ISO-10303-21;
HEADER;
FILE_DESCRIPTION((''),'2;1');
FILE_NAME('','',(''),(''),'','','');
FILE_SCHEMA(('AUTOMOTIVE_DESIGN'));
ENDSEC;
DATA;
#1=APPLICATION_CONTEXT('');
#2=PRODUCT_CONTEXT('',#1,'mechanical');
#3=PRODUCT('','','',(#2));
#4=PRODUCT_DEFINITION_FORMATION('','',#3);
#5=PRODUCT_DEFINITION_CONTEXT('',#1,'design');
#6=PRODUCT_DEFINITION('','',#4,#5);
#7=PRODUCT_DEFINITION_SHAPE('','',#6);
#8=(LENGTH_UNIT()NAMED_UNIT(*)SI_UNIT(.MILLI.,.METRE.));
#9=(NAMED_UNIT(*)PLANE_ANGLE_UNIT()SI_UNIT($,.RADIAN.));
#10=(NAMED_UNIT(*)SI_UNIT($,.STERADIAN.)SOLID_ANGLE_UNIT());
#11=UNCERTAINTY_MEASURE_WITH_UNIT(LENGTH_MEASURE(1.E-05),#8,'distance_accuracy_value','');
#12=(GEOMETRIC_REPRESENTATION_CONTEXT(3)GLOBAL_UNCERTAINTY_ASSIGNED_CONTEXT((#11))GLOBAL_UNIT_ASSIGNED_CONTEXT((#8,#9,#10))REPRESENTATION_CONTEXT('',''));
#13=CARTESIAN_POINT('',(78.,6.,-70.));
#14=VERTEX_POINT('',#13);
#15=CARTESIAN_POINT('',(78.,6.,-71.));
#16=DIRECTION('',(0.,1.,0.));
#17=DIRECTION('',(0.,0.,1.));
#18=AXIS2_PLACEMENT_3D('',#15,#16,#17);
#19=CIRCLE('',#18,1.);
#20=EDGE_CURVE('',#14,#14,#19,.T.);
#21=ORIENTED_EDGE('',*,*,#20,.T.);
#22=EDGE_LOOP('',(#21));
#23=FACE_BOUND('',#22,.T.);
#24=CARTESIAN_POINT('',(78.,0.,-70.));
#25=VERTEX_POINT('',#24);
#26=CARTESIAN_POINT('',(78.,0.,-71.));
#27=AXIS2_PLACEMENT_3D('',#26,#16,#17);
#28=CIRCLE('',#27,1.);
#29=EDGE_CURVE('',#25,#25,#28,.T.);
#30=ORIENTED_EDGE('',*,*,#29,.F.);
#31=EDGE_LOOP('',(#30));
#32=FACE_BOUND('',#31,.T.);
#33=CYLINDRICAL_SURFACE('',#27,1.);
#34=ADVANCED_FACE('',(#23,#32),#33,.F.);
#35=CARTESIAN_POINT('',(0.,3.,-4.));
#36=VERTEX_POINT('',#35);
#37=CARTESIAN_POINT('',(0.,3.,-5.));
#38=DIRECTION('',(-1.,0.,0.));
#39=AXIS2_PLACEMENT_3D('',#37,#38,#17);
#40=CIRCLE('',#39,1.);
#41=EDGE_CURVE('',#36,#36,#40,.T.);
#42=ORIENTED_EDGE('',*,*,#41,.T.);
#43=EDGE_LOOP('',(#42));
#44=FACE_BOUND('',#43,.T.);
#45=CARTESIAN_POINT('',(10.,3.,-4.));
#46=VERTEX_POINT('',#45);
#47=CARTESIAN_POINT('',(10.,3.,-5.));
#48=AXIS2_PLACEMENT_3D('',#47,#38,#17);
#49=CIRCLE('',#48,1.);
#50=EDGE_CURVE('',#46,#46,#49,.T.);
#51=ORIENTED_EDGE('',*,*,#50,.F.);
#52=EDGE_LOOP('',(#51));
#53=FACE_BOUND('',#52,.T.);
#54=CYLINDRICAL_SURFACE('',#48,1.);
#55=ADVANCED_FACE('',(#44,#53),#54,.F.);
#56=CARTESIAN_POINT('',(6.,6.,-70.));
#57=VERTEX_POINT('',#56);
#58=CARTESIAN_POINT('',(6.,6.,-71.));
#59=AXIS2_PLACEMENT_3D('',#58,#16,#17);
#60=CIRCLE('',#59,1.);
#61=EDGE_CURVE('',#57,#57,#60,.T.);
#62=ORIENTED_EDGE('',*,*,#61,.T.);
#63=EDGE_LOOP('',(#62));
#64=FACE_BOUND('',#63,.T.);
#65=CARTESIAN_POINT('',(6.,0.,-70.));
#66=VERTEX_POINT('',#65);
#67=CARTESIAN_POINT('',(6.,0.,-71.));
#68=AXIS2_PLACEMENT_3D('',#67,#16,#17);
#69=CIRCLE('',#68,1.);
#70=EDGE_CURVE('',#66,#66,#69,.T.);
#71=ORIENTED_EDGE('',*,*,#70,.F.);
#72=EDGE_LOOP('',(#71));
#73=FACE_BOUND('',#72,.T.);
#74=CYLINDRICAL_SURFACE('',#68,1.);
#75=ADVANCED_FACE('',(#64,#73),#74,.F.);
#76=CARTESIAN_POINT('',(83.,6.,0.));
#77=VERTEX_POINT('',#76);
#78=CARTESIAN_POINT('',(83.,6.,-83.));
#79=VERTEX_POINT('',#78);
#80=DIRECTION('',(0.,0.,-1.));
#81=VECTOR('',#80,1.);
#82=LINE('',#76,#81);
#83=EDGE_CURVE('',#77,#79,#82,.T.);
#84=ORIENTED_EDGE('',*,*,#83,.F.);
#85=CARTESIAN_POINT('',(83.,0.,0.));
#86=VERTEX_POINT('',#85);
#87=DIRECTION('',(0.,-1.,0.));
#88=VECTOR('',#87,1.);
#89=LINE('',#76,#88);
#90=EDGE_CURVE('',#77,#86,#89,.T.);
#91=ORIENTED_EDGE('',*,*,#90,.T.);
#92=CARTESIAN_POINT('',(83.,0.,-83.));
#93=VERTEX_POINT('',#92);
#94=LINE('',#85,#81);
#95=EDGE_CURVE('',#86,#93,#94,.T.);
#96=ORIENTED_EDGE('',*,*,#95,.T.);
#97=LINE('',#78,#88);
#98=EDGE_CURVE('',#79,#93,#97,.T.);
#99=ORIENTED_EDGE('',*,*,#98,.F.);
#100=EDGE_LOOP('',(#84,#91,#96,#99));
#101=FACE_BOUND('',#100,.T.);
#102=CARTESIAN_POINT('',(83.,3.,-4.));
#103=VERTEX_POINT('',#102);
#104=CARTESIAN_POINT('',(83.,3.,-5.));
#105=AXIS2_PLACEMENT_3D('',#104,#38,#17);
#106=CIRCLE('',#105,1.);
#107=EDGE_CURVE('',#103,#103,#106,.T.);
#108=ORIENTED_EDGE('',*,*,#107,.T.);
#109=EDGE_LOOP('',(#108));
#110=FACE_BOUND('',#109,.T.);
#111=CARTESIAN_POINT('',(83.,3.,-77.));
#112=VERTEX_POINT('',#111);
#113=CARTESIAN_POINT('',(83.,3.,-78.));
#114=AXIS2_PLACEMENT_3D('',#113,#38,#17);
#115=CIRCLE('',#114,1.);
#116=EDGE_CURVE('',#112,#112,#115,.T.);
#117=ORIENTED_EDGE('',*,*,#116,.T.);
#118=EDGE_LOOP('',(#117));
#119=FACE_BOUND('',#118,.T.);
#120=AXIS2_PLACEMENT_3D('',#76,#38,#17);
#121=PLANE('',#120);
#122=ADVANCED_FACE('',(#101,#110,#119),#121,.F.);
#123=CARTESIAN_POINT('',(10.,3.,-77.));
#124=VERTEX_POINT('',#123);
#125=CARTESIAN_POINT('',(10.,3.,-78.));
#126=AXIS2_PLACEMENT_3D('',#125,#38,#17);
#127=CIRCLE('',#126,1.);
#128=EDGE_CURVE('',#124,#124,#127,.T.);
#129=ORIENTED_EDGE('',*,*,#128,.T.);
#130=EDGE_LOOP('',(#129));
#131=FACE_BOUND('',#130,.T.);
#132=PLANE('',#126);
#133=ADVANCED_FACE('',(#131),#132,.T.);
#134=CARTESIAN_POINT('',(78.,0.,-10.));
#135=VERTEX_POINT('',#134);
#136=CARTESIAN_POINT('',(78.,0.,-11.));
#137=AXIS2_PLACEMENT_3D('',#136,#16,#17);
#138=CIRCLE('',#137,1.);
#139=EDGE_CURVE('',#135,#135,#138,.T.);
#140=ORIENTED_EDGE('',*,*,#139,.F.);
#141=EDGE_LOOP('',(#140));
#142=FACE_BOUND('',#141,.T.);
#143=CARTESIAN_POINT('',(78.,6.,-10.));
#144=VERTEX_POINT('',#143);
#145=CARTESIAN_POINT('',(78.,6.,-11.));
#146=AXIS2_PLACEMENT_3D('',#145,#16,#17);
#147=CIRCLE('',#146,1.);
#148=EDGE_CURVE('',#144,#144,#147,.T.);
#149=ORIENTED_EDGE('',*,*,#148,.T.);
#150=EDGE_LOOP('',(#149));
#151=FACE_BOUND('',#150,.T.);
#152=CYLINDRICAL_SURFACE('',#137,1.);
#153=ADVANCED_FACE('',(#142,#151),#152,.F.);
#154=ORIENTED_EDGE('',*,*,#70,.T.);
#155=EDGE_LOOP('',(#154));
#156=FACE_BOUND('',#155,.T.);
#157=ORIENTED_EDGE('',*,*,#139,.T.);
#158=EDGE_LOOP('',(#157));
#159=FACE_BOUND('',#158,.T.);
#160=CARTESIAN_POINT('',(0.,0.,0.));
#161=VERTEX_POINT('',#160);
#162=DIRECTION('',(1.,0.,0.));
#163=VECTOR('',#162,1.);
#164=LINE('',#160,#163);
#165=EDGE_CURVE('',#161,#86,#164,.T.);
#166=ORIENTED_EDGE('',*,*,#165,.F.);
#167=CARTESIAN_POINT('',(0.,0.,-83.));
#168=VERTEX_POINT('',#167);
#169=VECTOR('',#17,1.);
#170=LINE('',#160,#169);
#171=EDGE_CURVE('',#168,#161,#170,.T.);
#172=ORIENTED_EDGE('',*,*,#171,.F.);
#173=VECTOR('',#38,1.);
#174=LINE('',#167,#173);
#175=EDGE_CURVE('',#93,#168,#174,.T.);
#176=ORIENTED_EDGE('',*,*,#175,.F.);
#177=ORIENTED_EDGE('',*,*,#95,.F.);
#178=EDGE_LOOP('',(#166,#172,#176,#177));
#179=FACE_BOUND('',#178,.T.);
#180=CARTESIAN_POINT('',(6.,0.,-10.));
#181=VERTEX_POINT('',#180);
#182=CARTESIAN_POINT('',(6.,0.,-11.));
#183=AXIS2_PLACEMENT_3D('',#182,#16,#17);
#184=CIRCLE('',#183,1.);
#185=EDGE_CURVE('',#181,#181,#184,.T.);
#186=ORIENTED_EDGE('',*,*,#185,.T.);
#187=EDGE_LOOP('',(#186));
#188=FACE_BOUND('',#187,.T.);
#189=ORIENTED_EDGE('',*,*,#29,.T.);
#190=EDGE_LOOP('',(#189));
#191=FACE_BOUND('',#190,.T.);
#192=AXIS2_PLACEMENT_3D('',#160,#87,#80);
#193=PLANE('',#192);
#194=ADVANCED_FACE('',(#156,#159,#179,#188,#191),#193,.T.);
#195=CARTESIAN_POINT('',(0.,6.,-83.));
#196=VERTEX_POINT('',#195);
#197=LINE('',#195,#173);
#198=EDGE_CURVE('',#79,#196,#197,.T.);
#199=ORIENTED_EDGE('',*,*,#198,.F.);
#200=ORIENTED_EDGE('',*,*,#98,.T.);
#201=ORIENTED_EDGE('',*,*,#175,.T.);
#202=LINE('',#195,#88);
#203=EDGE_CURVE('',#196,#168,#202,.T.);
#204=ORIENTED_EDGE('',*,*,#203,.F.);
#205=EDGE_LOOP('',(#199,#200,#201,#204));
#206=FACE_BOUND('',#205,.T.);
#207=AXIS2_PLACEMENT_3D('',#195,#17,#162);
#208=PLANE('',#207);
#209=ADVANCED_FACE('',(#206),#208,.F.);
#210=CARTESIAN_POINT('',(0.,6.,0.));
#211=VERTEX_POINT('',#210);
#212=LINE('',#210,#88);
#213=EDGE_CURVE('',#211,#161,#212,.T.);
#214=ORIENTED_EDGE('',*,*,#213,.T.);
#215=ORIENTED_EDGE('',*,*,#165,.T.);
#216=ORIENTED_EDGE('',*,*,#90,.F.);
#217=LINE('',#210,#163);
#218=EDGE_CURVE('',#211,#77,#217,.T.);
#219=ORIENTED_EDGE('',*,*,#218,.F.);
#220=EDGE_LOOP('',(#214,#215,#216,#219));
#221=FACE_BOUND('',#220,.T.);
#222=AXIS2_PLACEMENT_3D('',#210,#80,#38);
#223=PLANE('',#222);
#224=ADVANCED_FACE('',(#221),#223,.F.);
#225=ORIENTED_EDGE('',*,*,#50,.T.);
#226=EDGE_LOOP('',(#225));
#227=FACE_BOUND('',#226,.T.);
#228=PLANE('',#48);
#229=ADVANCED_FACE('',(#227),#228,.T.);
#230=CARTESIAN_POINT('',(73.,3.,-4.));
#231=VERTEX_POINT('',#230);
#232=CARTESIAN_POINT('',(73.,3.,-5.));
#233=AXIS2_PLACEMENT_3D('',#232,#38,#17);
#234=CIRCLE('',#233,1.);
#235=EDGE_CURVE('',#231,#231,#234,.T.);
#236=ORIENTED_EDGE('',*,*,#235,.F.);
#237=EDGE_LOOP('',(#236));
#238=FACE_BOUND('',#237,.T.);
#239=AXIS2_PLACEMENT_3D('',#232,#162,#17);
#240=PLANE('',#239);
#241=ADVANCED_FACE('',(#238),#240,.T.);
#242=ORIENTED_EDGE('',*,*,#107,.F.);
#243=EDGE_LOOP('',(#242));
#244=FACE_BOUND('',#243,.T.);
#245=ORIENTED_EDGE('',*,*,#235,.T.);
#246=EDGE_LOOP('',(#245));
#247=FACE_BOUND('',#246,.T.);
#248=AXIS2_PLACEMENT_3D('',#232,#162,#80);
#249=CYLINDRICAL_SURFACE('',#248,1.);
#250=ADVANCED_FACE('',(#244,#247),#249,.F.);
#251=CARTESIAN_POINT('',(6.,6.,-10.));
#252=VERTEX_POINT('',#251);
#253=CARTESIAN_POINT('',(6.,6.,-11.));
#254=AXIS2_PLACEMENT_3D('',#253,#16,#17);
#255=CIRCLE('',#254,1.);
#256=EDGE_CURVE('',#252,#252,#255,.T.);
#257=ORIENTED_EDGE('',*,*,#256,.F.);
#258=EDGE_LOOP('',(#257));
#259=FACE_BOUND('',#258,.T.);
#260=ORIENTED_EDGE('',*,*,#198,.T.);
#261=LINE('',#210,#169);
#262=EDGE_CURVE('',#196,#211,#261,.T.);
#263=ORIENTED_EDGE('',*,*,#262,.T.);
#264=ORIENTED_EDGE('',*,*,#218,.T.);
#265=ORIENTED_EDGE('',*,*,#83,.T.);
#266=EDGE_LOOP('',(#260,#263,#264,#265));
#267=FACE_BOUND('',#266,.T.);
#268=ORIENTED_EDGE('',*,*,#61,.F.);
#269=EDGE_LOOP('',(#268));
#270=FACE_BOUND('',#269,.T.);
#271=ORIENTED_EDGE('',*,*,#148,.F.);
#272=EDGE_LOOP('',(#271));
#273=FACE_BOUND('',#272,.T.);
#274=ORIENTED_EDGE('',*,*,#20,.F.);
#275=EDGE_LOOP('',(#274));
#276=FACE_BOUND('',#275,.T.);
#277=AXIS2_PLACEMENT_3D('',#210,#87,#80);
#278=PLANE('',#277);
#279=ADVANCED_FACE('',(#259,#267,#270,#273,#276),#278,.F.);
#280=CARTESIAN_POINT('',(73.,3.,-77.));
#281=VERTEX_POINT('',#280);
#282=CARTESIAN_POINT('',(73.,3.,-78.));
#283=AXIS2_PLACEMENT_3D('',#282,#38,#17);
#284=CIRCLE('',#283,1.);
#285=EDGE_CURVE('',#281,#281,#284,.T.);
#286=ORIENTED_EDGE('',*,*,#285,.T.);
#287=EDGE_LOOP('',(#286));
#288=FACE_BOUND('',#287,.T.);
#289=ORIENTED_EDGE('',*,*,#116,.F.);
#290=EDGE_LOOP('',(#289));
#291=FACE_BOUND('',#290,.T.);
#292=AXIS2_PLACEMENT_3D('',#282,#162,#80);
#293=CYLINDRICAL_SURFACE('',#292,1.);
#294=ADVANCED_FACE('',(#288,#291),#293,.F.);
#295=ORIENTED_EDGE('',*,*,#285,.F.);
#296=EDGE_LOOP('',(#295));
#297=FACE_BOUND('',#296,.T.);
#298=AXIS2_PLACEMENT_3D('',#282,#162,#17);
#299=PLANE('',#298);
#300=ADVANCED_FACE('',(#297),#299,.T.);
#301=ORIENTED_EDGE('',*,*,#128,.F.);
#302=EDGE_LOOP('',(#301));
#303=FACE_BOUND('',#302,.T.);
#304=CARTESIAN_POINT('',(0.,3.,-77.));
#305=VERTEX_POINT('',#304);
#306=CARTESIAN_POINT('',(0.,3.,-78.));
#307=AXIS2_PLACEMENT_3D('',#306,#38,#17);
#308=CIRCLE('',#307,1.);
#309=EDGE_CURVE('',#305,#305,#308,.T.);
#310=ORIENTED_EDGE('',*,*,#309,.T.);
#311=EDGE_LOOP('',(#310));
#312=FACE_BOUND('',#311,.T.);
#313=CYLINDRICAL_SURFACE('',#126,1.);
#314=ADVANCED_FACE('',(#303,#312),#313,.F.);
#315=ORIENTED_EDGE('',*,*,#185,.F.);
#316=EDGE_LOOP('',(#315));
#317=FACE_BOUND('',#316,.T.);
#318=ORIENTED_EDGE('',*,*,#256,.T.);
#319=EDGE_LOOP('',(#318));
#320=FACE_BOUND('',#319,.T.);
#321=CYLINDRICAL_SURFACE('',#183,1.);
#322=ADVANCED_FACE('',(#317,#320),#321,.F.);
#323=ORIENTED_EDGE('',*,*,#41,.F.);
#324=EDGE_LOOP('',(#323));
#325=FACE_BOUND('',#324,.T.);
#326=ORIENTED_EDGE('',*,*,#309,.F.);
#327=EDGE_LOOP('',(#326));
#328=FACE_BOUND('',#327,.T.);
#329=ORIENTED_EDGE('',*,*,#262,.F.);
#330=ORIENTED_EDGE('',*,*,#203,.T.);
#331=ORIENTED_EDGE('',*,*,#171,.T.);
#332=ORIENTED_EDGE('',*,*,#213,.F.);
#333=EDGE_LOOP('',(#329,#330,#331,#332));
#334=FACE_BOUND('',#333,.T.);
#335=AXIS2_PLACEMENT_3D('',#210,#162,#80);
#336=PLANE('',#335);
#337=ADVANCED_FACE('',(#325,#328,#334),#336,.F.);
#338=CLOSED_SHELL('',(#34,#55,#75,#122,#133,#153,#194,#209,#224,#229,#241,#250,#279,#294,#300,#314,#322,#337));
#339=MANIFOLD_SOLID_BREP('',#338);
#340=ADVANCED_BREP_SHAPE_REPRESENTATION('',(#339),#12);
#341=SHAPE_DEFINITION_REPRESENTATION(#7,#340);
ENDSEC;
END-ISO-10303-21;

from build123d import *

# Parameters (mm, degrees)
SKETCH1_W            = 83
SKETCH1_H            = 83
BOSS_EXTRUDE1_DEPTH  = 6
SKETCH2_R            = 1
CUT_EXTRUDE1_DEPTH   = 6
LPATTERN1_COUNT      = 2
LPATTERN1_PITCH      = 72
LPATTERN1_COUNT_DIR2 = 2
LPATTERN1_PITCH_DIR2 = 60
SKETCH3_R            = 1
CUT_EXTRUDE2_DEPTH   = 10


with BuildPart() as part:
    # Sketch1 → Boss-Extrude1 (new body)
    with BuildSketch(Plane(origin=(0, 0, 0), x_dir=(1, 0, 0), z_dir=(0, 1, 0))):
        with Locations((41.5, 41.5)):
            Rectangle(SKETCH1_W, SKETCH1_H)
    extrude(amount=BOSS_EXTRUDE1_DEPTH)

    # Sketch2 → Cut-Extrude1 (cut)
    with BuildSketch(Plane(origin=(0, 6, 0), x_dir=(1, 0, 0), z_dir=(0, 1, 0))):
        with Locations(Location((6, 71, 0), (0, 0, 270))):
            Circle(SKETCH2_R)
    cut_extrude1 = extrude(amount=-CUT_EXTRUDE1_DEPTH, mode=Mode.SUBTRACT)

    # LPattern1: Cut-Extrude1 2 × 2
    with Locations(*[(i * LPATTERN1_PITCH, 0, j * LPATTERN1_PITCH_DIR2) for i in range(LPATTERN1_COUNT) for j in range(LPATTERN1_COUNT_DIR2) if (i, j) != (0, 0)]):
        add(cut_extrude1, mode=Mode.SUBTRACT)

    # Sketch3 → Cut-Extrude2 (cut)
    with BuildSketch(Plane.ZY):
        with Locations((-78, 3)):
            Circle(SKETCH3_R)
        with Locations((-5, 3)):
            Circle(SKETCH3_R)
    cut_extrude2 = extrude(amount=-CUT_EXTRUDE2_DEPTH, mode=Mode.SUBTRACT)

    # Mirror1: Cut-Extrude2 across plane
    add(cut_extrude2.mirror(Plane.ZY.offset(-41.5)), mode=Mode.SUBTRACT)


solid = part.part
